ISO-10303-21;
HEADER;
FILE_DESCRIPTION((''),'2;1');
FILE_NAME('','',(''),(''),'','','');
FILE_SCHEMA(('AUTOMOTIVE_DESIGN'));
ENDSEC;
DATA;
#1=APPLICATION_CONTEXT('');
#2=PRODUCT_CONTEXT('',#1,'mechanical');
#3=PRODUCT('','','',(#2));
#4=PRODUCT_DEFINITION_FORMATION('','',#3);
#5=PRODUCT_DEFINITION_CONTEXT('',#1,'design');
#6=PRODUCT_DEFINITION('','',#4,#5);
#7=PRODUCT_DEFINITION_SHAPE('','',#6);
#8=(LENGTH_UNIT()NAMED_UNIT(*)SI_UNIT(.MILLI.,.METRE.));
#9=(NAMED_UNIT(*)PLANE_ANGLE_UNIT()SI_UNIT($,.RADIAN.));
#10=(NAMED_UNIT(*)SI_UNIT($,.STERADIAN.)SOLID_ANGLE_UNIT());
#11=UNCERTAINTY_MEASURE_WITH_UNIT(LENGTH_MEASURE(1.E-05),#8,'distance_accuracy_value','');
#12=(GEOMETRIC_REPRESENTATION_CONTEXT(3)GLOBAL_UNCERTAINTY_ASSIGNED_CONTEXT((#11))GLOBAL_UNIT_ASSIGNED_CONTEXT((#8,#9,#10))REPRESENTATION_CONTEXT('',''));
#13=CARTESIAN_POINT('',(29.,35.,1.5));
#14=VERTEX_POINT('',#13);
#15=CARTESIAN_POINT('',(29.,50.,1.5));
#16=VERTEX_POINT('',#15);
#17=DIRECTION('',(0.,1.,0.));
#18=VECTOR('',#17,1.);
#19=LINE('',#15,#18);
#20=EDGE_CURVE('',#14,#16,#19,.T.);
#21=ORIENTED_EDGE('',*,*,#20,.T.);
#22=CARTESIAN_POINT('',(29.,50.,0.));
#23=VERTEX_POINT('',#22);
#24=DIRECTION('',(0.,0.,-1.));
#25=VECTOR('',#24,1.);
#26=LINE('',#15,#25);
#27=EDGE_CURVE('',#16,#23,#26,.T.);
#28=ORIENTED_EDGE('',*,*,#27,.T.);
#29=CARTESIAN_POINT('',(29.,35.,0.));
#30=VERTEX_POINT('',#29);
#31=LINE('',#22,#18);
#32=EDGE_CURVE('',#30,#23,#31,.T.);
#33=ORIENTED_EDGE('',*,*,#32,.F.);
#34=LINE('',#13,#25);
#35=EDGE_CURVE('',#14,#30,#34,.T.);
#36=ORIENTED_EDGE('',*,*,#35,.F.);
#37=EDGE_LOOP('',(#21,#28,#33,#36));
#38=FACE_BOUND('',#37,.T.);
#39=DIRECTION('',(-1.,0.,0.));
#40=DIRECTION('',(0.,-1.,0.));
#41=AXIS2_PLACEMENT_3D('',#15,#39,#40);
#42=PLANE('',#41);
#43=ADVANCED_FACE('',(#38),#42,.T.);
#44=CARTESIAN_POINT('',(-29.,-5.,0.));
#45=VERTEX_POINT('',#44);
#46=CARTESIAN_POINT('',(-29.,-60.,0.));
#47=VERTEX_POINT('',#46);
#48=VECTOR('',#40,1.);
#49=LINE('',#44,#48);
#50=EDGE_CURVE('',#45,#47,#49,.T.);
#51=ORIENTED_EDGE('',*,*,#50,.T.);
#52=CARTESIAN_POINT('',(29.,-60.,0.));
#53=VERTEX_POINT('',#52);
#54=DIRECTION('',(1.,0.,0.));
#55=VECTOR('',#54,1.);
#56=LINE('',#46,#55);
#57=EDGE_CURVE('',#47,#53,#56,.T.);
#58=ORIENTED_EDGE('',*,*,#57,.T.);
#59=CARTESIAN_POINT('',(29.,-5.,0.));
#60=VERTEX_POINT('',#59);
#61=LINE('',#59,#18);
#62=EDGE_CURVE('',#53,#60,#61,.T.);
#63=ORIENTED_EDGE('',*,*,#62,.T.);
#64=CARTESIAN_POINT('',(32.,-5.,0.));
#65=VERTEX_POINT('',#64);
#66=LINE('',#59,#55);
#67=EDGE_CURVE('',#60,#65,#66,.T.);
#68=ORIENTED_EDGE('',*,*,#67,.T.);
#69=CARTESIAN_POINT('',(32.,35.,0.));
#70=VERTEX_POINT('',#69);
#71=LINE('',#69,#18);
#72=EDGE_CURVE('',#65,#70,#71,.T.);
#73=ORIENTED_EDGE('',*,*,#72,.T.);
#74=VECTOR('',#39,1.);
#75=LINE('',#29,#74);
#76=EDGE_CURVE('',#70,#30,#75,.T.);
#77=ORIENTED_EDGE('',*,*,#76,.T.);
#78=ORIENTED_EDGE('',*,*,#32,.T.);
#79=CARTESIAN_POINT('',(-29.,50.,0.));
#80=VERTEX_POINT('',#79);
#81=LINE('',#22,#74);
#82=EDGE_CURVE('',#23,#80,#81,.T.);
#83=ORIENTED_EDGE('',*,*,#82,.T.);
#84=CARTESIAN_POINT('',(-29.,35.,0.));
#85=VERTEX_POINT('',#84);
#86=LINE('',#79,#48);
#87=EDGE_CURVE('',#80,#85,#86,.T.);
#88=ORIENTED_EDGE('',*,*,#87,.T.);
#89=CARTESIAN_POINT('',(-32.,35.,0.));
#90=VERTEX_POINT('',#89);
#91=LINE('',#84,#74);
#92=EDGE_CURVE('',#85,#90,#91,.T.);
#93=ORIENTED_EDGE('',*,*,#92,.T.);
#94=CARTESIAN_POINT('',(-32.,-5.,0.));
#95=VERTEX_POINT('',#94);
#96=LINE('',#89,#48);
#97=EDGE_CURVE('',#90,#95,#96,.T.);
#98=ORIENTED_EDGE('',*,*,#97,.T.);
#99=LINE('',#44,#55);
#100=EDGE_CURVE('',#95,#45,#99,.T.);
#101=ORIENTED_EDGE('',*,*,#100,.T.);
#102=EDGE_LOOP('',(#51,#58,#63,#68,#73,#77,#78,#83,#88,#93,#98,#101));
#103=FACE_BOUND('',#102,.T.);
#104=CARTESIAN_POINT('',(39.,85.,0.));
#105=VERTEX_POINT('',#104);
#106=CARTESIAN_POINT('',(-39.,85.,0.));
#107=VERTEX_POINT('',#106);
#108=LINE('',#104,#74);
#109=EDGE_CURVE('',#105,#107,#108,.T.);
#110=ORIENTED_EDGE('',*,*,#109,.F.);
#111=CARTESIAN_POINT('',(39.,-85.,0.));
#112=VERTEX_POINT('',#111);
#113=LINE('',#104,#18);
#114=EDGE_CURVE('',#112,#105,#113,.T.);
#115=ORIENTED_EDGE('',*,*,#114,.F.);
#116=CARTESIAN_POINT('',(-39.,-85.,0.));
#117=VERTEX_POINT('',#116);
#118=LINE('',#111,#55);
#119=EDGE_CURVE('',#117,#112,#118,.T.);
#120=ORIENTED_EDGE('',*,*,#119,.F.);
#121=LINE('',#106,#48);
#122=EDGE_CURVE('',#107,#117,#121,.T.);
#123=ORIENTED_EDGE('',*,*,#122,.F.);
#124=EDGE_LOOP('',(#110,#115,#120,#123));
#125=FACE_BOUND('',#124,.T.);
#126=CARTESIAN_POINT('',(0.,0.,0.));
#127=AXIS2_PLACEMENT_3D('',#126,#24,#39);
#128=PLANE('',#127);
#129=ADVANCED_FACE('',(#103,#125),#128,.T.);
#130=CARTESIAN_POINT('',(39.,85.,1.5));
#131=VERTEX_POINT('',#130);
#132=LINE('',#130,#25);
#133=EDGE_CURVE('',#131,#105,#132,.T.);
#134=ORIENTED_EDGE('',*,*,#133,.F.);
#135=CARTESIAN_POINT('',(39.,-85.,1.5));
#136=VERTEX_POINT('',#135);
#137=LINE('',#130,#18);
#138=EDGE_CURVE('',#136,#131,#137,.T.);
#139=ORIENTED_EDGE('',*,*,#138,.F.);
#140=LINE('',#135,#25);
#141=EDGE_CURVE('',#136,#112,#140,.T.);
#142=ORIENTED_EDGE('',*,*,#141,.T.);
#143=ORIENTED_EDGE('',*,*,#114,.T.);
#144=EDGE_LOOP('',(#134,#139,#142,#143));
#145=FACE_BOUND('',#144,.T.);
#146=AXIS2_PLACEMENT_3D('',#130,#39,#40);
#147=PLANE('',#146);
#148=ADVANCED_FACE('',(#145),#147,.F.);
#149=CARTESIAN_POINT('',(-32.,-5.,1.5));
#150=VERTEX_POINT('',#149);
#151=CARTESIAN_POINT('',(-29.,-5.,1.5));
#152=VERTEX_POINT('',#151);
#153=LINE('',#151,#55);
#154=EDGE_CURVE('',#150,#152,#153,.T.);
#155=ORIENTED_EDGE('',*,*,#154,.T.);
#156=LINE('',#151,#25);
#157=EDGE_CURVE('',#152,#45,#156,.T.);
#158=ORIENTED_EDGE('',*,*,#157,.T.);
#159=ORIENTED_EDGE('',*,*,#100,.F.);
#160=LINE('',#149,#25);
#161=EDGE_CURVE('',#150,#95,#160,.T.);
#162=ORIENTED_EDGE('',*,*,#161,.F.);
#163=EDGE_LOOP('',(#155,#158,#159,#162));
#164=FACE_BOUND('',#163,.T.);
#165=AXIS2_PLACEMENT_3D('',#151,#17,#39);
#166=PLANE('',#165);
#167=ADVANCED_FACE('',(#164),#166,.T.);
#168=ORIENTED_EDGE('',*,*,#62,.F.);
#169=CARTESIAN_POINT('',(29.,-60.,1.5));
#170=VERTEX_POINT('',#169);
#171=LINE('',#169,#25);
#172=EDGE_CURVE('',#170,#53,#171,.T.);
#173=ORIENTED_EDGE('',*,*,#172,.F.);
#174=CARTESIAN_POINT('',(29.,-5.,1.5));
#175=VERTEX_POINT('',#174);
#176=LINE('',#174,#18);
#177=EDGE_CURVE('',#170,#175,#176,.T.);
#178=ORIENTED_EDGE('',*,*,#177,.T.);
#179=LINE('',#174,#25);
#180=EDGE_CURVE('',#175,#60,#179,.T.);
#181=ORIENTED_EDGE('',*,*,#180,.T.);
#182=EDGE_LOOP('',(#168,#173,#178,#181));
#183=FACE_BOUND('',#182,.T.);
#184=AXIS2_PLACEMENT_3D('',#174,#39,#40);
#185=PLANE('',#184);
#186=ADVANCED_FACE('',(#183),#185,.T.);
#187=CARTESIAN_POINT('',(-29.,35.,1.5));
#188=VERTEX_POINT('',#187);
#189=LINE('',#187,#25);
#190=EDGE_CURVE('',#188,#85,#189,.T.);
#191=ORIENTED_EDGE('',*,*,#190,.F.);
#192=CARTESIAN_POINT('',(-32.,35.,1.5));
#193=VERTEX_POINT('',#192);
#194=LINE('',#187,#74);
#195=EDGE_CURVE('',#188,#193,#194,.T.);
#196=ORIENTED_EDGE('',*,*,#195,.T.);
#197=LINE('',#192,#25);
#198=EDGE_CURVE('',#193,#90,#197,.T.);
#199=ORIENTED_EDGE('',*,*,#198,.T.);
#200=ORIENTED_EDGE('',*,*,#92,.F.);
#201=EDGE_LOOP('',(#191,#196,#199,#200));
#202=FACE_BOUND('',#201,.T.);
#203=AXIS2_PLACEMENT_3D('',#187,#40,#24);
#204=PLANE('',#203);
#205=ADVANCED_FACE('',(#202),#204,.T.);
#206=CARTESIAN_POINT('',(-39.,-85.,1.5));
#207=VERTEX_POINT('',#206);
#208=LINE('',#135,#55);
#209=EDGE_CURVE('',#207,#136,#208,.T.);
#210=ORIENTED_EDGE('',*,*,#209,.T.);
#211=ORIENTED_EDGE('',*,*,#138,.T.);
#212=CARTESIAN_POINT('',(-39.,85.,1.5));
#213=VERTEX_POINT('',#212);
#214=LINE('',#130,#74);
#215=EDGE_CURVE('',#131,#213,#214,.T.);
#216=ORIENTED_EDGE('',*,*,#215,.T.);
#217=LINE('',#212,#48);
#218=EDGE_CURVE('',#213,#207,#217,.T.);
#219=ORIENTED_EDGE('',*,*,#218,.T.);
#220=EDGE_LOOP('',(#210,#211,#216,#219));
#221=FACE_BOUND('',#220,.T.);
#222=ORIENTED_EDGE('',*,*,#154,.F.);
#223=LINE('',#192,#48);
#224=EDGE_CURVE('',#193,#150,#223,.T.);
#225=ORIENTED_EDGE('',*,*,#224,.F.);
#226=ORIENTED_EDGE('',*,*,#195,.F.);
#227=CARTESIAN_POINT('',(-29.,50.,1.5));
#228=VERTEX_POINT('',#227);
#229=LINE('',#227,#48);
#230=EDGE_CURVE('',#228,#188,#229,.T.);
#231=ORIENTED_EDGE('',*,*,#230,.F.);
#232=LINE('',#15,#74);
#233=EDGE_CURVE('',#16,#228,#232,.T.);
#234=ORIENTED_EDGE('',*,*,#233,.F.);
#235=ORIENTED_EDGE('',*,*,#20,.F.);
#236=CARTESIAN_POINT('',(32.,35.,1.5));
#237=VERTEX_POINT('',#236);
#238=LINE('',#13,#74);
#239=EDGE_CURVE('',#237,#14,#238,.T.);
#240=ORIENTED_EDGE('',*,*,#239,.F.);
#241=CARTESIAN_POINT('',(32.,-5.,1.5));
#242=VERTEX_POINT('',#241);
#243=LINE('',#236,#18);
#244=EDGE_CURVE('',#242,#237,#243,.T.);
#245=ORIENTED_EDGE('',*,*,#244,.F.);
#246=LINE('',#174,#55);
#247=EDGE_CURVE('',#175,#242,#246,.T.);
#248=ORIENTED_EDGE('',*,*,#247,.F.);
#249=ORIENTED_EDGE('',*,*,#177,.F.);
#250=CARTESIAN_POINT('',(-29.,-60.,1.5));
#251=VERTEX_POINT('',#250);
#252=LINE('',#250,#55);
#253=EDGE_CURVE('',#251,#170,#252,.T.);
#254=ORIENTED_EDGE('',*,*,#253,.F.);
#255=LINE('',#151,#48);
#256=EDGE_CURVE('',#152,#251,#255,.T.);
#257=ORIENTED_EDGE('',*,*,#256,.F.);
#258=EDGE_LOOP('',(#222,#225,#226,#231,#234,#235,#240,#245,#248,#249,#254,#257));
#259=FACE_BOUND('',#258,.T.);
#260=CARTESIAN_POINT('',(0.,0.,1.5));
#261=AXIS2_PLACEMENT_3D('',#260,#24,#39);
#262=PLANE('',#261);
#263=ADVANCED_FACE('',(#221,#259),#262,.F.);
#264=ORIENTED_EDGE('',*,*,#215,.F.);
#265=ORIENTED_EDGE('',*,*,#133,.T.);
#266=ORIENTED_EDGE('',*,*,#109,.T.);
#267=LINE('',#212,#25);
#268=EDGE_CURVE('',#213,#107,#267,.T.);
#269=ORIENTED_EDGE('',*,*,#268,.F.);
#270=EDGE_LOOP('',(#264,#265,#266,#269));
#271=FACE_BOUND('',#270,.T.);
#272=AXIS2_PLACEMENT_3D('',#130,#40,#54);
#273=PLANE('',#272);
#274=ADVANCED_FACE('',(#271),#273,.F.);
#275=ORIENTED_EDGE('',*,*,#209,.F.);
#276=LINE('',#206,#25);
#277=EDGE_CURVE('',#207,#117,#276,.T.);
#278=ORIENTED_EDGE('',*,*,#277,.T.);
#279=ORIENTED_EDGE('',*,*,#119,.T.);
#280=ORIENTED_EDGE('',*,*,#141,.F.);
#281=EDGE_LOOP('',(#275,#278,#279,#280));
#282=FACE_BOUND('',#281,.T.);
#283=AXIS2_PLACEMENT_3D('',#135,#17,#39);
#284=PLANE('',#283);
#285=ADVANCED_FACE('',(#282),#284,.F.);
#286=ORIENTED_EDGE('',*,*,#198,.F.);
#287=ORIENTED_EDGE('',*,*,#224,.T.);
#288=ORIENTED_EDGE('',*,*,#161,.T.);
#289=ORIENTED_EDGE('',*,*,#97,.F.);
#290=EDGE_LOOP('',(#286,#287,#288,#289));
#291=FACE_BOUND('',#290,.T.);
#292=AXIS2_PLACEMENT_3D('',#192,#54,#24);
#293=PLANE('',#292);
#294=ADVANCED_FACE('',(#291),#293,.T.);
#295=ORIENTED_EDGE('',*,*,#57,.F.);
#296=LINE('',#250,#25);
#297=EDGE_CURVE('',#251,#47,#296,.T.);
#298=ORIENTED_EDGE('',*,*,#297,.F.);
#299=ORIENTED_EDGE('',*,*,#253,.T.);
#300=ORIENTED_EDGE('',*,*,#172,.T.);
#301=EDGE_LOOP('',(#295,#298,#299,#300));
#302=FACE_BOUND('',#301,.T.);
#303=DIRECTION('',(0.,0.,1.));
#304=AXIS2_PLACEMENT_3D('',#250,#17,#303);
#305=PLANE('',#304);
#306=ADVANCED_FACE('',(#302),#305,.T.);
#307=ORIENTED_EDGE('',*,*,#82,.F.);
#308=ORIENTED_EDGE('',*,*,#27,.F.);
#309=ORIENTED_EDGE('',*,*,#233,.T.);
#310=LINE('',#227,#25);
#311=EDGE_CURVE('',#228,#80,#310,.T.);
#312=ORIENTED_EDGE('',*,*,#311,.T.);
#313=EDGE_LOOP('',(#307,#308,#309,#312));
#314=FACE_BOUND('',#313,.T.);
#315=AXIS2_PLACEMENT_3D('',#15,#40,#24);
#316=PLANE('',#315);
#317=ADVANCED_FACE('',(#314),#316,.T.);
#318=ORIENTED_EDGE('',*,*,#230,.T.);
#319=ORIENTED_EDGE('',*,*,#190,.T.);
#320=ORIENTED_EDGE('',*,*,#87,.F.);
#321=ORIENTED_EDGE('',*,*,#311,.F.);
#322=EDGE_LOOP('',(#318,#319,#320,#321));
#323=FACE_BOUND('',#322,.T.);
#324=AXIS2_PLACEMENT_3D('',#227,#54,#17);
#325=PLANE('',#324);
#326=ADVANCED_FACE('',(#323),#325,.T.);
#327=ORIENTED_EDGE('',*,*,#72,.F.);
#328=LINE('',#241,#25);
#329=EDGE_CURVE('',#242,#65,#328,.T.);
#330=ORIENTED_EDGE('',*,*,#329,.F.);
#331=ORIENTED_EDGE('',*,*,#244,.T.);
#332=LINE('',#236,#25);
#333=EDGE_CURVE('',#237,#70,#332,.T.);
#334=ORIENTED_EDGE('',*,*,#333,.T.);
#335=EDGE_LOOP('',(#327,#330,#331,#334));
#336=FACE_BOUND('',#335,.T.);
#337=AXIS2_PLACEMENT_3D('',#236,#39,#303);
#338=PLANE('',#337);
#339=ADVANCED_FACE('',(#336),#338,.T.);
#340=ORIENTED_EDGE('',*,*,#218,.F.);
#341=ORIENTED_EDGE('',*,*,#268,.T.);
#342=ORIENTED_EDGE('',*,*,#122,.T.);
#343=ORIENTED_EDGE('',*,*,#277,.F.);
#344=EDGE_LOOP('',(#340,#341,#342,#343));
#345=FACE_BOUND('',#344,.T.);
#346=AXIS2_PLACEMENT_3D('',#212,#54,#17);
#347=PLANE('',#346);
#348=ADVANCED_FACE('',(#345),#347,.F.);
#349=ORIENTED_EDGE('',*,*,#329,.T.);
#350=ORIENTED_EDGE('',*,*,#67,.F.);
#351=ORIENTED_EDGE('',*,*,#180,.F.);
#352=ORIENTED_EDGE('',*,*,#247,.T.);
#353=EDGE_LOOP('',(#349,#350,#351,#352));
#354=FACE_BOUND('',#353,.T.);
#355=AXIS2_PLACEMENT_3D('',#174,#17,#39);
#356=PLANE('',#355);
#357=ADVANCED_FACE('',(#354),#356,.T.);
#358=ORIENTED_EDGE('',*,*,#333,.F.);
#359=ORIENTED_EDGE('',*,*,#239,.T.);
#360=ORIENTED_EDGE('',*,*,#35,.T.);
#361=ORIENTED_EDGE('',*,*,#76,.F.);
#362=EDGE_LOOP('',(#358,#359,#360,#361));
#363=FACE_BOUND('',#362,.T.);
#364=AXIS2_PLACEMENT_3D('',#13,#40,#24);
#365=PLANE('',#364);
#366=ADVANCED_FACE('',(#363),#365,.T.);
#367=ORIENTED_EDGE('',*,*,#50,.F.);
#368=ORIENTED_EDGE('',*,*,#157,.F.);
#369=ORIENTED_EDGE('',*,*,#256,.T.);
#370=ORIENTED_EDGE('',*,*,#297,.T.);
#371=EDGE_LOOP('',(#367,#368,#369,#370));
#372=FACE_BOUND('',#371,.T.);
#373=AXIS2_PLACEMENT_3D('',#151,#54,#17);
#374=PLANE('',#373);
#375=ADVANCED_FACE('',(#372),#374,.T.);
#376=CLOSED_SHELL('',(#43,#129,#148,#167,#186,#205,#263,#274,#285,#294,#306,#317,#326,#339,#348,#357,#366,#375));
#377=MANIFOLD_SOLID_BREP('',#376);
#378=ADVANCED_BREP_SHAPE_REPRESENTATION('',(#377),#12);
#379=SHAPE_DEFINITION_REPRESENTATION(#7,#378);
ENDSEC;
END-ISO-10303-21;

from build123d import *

# Parameters (mm, degrees)
SKETCH1_W           = 78
SKETCH1_H           = 170
BOSS_EXTRUDE1_DEPTH = 1.5


with BuildPart() as part:
    # Sketch1 → Boss-Extrude1 (new body)
    with BuildSketch(Plane.XY):
        Rectangle(SKETCH1_W, SKETCH1_H)
        Polygon((29, 50), (-29, 50), (-29, 35), (-32, 35), (-32, -5), (-29, -5), (-29, -60), (29, -60), (29, -5), (32, -5), (32, 35), (29, 35), align=None, mode=Mode.SUBTRACT)
    extrude(amount=BOSS_EXTRUDE1_DEPTH)


solid = part.part
